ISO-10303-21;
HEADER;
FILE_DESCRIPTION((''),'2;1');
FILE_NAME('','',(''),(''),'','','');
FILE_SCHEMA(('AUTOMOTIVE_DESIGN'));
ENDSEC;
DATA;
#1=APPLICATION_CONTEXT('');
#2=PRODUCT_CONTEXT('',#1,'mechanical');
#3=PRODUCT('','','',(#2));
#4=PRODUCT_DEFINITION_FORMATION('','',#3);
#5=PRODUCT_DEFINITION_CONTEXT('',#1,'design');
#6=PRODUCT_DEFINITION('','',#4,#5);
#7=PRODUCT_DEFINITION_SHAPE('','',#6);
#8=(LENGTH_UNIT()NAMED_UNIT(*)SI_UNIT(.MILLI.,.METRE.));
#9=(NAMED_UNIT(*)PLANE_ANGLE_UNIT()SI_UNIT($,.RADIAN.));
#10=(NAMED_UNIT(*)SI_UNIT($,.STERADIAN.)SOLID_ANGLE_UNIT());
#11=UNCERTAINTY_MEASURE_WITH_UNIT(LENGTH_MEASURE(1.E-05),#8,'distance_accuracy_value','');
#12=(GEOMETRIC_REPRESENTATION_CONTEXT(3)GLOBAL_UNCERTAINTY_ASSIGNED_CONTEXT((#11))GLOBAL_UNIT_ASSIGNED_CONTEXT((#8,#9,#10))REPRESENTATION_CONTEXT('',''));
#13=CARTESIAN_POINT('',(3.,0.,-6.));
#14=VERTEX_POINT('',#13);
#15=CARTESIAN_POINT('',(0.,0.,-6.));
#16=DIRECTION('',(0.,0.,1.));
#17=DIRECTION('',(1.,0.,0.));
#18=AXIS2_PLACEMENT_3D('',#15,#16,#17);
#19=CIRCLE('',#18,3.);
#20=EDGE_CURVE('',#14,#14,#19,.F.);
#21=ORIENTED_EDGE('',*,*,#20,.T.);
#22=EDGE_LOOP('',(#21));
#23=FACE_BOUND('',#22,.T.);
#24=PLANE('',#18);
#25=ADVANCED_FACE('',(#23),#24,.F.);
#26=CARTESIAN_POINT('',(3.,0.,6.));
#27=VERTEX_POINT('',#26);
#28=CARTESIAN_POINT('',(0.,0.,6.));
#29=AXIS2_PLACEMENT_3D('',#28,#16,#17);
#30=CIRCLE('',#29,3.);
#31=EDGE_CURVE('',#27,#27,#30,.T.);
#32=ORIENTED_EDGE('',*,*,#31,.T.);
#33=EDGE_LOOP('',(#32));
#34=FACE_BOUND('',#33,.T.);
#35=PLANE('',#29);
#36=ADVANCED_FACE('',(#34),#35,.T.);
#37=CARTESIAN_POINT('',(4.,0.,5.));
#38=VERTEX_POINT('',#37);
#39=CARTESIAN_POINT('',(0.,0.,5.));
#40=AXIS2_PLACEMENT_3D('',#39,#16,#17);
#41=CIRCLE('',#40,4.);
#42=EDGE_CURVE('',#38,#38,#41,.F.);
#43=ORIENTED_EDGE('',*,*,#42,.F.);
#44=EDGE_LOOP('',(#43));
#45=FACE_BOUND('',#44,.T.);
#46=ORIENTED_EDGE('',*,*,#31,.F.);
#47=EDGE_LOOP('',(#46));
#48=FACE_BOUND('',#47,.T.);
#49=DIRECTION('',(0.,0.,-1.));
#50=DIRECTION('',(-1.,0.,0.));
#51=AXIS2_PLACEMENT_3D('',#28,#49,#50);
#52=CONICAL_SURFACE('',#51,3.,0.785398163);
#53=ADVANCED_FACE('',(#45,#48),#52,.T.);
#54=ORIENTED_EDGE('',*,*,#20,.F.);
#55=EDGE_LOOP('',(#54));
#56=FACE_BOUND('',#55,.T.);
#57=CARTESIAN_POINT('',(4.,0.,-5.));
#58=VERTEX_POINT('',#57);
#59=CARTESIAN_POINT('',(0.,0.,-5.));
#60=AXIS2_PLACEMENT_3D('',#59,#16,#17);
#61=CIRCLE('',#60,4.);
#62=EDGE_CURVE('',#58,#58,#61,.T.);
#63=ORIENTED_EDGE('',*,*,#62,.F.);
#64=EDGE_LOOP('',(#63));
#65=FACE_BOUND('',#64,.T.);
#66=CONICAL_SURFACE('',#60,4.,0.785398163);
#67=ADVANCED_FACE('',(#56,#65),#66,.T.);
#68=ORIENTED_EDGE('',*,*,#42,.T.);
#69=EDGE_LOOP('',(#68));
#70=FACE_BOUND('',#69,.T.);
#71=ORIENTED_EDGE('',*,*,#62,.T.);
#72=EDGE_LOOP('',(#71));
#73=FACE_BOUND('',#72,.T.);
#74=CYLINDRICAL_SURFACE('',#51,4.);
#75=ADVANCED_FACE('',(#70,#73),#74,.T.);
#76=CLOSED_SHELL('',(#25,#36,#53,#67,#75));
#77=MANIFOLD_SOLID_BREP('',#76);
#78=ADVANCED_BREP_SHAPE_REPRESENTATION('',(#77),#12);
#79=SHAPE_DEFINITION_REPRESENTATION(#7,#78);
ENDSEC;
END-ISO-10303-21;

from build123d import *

# Parameters (mm, degrees)
SKETCH1_R      = 4
EXTRUDE1_DEPTH = 6
CHAMFER1_SIZE  = 1


with BuildPart() as part:
    # Sketch1 → Extrude1 (new, symmetric)
    with BuildSketch(Plane.XY):
        Circle(SKETCH1_R)
    extrude(amount=EXTRUDE1_DEPTH, both=True)

    # Chamfer1
    chamfer1_edges = [part.edges().sort_by_distance(p)[0] for p in [
        (-4, 0, -6),
        (-4, 0, 6),
    ]]
    chamfer(chamfer1_edges, length=CHAMFER1_SIZE)


solid = part.part
